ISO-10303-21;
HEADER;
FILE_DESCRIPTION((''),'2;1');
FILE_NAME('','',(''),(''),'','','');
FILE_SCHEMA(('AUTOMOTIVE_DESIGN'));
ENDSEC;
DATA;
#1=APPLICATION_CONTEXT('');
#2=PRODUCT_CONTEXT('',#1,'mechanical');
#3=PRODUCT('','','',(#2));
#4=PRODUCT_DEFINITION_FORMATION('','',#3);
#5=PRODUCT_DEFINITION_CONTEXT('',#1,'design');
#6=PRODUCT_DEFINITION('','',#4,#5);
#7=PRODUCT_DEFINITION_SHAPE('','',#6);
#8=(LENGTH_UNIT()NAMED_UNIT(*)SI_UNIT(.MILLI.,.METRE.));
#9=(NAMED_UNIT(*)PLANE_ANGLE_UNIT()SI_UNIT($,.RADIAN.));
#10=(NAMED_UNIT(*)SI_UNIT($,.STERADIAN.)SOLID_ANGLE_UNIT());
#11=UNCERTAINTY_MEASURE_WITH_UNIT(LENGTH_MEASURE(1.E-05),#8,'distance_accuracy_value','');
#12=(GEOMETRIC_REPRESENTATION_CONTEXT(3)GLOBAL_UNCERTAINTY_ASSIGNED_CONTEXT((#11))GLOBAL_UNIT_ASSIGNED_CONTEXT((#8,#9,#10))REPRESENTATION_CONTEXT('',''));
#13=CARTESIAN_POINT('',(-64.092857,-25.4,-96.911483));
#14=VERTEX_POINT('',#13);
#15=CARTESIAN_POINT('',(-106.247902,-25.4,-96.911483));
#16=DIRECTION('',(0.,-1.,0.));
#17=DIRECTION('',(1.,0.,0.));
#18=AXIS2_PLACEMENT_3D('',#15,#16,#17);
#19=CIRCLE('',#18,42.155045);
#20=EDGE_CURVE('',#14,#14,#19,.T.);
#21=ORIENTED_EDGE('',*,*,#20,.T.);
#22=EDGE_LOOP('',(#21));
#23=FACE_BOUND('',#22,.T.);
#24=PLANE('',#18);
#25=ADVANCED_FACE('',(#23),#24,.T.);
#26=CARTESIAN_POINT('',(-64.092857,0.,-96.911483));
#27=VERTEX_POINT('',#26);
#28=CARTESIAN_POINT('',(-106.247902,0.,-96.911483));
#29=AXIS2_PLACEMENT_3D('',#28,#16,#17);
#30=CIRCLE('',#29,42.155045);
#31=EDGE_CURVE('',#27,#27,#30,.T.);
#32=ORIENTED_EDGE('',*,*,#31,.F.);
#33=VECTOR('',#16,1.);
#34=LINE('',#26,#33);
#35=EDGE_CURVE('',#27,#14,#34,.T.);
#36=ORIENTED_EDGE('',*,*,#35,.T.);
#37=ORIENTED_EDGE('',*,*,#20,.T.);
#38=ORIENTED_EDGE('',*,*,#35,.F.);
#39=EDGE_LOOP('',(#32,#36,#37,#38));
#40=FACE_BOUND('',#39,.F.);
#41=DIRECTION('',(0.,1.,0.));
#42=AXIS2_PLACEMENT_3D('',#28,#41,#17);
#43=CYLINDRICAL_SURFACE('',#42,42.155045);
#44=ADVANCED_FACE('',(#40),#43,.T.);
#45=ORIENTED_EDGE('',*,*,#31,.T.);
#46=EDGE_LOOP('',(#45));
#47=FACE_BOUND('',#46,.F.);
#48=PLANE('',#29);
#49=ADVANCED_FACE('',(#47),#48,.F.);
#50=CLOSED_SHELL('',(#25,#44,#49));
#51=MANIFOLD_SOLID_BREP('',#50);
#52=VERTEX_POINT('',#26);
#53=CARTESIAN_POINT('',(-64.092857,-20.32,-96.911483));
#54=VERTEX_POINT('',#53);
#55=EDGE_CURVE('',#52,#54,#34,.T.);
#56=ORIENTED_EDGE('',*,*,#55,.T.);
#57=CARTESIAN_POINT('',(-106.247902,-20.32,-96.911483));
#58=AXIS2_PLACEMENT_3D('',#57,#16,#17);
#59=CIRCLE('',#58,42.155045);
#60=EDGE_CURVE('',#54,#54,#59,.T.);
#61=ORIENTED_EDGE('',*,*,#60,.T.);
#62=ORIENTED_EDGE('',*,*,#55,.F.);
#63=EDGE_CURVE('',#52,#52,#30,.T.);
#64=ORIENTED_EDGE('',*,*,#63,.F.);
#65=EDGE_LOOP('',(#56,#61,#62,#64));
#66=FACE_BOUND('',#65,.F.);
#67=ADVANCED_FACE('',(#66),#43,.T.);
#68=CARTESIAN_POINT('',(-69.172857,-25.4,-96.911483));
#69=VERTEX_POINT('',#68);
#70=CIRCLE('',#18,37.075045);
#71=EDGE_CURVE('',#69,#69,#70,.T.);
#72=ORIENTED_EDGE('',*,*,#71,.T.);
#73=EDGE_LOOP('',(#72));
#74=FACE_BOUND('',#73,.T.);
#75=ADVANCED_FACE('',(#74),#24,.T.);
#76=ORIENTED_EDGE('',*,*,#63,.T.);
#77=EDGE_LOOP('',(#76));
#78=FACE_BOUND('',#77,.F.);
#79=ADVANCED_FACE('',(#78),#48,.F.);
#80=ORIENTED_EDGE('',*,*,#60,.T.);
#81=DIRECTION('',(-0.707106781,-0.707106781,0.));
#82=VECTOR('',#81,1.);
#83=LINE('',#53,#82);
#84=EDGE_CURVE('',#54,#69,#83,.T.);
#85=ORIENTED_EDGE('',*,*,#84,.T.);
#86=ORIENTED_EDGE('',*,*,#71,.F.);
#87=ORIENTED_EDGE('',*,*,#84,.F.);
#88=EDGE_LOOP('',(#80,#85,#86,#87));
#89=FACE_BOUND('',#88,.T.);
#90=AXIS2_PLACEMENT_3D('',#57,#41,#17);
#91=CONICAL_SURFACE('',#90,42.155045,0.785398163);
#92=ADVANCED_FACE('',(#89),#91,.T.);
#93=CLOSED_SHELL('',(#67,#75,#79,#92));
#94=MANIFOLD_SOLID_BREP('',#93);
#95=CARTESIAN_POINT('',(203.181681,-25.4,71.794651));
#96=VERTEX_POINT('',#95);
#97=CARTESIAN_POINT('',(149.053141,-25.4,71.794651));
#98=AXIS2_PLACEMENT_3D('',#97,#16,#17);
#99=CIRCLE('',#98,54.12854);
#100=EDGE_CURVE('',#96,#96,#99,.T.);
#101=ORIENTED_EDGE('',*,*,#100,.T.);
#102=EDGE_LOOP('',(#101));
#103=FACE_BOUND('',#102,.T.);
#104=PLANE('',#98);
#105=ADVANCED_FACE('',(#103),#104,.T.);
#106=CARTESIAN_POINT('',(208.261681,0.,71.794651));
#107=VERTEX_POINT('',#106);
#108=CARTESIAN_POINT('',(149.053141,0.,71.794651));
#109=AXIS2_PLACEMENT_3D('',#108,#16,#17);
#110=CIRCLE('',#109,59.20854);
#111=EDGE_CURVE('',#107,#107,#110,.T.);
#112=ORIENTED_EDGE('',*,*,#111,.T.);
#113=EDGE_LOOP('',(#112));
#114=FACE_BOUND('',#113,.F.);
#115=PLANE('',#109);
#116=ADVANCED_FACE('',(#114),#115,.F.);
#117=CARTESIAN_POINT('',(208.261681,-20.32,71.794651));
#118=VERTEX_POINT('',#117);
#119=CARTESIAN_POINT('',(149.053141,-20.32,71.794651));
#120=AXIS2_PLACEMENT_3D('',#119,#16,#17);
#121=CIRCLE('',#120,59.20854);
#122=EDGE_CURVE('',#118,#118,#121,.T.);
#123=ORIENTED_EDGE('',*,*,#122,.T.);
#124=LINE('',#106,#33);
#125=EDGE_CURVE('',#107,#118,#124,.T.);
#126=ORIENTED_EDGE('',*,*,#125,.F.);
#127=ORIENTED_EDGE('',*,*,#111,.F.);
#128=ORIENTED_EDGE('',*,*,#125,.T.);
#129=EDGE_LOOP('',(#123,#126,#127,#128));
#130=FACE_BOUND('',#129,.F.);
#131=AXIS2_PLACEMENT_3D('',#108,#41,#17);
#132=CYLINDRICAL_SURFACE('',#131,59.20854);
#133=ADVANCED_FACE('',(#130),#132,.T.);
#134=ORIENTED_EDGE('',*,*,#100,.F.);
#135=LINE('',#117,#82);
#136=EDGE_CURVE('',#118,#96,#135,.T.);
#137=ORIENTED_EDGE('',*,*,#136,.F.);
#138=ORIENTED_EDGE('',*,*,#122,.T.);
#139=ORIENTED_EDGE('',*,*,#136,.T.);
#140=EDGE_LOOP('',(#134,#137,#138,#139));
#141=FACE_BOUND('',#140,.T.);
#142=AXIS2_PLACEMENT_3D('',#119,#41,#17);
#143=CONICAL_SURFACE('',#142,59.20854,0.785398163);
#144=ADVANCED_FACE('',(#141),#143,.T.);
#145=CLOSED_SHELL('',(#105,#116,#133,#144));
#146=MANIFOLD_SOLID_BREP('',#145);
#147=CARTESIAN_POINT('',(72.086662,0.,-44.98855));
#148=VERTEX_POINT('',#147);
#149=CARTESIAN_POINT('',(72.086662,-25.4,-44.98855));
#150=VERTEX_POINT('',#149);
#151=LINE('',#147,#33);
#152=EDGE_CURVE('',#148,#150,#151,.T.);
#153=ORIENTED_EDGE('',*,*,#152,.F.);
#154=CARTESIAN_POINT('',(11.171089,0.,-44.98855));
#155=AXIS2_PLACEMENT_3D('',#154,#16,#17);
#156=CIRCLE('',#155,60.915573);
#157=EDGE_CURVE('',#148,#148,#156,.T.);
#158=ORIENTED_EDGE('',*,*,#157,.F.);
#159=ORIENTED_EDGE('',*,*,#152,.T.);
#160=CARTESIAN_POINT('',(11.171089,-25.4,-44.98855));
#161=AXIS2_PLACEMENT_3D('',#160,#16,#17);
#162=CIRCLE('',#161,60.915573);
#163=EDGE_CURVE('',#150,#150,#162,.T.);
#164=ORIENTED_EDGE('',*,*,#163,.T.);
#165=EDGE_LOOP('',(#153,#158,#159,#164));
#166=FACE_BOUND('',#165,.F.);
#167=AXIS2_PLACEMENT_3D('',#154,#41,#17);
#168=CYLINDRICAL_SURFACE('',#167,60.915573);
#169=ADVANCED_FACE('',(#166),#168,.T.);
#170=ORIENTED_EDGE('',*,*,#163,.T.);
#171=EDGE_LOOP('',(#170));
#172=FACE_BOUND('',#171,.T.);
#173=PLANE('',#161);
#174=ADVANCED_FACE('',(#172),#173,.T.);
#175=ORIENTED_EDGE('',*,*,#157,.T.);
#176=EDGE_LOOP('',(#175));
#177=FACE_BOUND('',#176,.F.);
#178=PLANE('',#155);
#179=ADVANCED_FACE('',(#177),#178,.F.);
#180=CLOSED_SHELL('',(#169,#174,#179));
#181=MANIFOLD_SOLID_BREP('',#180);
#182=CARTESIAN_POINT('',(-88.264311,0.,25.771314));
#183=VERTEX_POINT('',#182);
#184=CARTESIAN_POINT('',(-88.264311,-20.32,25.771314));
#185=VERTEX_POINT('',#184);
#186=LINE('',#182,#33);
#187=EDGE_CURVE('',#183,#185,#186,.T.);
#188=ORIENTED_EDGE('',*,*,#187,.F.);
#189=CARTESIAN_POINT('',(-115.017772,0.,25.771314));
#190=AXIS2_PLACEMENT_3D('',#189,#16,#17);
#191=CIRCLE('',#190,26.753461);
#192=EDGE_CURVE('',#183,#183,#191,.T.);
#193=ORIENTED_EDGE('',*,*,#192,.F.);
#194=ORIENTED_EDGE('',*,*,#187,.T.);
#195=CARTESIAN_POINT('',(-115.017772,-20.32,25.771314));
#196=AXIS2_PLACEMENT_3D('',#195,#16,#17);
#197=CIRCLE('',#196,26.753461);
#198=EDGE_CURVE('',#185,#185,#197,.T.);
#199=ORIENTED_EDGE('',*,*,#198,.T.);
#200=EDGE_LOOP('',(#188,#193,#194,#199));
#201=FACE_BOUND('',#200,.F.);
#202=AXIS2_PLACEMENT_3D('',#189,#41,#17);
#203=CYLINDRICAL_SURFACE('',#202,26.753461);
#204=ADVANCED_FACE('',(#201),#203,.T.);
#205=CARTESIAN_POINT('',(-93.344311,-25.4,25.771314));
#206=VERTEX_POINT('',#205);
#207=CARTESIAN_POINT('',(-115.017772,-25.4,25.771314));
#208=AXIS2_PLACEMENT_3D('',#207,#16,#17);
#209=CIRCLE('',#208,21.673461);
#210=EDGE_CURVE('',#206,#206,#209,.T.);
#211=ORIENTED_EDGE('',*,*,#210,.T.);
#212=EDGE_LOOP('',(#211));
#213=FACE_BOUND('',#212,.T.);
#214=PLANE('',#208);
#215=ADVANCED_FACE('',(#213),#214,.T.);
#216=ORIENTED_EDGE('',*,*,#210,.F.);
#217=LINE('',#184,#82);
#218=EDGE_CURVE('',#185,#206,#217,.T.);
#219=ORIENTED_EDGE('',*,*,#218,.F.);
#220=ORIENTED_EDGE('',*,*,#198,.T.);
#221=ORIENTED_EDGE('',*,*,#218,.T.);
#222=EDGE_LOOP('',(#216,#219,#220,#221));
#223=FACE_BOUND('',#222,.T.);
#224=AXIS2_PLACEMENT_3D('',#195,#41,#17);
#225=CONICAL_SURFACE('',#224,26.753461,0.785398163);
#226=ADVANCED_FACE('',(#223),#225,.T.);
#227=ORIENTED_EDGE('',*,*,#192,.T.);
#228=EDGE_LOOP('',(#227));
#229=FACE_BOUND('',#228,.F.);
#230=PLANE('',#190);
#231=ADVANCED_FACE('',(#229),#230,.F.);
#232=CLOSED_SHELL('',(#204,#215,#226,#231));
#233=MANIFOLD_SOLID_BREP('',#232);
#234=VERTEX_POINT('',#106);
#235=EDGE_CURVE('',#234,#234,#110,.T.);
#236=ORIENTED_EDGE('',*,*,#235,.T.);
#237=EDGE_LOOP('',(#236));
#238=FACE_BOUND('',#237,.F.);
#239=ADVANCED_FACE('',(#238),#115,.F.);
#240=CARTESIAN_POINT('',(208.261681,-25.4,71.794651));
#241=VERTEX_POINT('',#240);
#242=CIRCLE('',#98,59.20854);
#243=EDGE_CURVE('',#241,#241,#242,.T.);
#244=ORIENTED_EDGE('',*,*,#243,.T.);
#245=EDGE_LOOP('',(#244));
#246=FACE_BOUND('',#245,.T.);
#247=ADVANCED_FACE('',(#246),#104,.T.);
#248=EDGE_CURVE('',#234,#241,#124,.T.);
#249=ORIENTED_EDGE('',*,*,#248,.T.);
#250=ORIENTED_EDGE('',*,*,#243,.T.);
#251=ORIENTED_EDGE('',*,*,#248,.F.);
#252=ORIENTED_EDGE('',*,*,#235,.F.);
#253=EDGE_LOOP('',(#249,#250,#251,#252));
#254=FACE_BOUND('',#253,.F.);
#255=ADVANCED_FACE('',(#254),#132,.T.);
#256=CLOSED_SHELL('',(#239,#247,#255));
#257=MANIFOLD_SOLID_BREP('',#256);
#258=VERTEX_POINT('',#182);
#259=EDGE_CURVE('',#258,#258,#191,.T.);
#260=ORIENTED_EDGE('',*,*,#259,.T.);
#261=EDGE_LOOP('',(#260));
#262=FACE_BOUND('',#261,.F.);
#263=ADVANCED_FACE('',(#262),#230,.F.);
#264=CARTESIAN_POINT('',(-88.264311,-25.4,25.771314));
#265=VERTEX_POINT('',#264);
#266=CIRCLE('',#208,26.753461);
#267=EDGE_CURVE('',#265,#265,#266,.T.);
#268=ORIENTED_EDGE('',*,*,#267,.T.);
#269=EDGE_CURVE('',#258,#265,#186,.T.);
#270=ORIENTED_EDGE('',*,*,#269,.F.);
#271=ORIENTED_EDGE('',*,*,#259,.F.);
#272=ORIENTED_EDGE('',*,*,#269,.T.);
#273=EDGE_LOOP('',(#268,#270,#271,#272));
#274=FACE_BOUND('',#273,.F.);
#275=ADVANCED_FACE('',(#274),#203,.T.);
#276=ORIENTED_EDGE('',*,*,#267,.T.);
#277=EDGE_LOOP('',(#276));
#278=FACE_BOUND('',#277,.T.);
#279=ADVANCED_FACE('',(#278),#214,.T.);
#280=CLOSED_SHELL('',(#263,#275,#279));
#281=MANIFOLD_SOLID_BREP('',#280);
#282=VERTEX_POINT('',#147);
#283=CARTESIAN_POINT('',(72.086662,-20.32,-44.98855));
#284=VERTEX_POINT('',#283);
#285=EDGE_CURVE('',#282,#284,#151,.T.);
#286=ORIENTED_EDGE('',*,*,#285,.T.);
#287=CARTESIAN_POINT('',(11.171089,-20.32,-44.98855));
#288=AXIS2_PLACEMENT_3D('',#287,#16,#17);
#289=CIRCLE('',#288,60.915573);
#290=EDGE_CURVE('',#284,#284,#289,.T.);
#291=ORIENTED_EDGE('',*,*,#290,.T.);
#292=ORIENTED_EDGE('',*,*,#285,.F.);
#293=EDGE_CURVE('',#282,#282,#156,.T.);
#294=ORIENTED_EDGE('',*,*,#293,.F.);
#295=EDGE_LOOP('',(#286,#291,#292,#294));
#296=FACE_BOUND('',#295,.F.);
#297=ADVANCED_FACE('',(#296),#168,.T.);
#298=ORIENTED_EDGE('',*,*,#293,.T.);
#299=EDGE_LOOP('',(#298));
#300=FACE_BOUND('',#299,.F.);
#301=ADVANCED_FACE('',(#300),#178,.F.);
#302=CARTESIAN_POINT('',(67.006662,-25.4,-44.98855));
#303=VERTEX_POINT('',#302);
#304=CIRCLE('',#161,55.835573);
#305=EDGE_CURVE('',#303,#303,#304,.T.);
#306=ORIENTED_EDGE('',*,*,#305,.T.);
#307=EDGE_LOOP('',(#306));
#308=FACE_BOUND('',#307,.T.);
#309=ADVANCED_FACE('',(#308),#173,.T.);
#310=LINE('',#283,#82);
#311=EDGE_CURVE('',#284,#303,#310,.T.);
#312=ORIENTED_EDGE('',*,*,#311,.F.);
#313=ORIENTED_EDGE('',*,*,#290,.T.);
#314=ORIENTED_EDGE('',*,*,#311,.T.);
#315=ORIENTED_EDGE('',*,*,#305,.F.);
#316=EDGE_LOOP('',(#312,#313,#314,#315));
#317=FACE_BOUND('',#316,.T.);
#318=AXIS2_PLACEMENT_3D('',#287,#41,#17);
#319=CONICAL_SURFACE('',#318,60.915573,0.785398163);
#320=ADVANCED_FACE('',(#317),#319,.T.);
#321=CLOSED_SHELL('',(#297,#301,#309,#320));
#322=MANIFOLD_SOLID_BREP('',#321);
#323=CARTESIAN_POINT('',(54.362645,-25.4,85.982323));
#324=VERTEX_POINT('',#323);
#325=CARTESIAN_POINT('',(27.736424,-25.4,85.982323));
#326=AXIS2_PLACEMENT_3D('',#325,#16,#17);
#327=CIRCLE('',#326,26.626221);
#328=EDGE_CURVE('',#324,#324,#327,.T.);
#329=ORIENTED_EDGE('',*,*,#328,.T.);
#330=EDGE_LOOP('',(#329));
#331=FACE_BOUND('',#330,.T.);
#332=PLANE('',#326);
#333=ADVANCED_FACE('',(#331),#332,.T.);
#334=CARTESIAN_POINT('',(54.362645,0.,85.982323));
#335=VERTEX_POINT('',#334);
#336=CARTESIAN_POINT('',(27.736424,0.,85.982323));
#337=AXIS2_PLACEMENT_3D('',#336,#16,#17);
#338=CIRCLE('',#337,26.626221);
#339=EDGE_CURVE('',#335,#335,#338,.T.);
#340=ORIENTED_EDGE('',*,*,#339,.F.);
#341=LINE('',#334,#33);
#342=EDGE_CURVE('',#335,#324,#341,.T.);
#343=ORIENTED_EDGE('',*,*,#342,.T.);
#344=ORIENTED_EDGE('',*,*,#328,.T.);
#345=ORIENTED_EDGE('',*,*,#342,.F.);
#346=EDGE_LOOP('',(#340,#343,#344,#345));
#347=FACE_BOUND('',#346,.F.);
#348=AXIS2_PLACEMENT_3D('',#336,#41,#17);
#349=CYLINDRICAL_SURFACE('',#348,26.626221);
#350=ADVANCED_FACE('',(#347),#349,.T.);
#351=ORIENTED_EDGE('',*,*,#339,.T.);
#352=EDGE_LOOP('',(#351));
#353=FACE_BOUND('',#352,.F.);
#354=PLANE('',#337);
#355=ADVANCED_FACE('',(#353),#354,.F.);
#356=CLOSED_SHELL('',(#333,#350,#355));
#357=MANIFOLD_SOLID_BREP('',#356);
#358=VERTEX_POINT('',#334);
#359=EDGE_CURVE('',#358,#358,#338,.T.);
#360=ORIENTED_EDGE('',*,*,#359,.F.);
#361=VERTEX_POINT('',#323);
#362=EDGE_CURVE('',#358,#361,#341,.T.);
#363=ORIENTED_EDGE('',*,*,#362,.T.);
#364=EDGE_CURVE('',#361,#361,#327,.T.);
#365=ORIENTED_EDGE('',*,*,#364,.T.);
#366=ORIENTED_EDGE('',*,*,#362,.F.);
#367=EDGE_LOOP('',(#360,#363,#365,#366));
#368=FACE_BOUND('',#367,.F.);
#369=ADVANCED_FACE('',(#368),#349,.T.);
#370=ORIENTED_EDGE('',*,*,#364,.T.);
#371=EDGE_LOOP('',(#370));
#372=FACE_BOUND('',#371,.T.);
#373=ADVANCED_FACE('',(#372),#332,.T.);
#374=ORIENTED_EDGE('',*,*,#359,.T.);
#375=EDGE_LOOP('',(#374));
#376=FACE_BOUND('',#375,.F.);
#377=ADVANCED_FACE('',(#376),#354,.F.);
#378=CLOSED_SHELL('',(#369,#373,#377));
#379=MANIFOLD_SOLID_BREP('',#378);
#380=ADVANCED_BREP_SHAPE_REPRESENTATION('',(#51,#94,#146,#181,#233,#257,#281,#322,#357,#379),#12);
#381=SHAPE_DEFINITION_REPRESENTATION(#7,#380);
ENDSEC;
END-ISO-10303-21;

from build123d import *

# Parameters (mm, degrees)
F0_R     = 26.753461
F0_R_2   = 42.155045
F0_R_3   = 60.915573
F0_R_4   = 59.20854
F0_R_5   = 26.626221
F1_DEPTH = 25.4
F2_DEPTH = 25.4
F3_SIZE  = 5.08


with BuildPart() as f1:
    # F0 (on Front) → F1 (new body)
    with BuildSketch(Plane.XZ):
        with Locations((-115.017772, 25.771314)):
            Circle(F0_R)
        with Locations((-106.247902, -96.911483)):
            Circle(F0_R_2)
        with Locations((11.171089, -44.98855)):
            Circle(F0_R_3)
        with Locations((149.053141, 71.794651)):
            Circle(F0_R_4)
        with Locations((27.736424, 85.982323)):
            Circle(F0_R_5)
    extrude(amount=F1_DEPTH)

    # F3
    f3_edges = [f1.edges().sort_by_distance(p)[0] for p in [
        (-141.771233, -25.4, 25.771314),
        (-148.402947, -25.4, -96.911483),
        (-49.744483, -25.4, -44.98855),
        (89.844602, -25.4, 71.794651),
    ]]
    chamfer(f3_edges, length=F3_SIZE)


with BuildPart() as f2:
    # F0 (on Front) → F2 (new body)
    with BuildSketch(Plane.XZ):
        with Locations((-115.017772, 25.771314)):
            Circle(F0_R)
        with Locations((-106.247902, -96.911483)):
            Circle(F0_R_2)
        with Locations((11.171089, -44.98855)):
            Circle(F0_R_3)
        with Locations((149.053141, 71.794651)):
            Circle(F0_R_4)
        with Locations((27.736424, 85.982323)):
            Circle(F0_R_5)
    extrude(amount=F2_DEPTH)


solid = Compound([f1.part, f2.part])
